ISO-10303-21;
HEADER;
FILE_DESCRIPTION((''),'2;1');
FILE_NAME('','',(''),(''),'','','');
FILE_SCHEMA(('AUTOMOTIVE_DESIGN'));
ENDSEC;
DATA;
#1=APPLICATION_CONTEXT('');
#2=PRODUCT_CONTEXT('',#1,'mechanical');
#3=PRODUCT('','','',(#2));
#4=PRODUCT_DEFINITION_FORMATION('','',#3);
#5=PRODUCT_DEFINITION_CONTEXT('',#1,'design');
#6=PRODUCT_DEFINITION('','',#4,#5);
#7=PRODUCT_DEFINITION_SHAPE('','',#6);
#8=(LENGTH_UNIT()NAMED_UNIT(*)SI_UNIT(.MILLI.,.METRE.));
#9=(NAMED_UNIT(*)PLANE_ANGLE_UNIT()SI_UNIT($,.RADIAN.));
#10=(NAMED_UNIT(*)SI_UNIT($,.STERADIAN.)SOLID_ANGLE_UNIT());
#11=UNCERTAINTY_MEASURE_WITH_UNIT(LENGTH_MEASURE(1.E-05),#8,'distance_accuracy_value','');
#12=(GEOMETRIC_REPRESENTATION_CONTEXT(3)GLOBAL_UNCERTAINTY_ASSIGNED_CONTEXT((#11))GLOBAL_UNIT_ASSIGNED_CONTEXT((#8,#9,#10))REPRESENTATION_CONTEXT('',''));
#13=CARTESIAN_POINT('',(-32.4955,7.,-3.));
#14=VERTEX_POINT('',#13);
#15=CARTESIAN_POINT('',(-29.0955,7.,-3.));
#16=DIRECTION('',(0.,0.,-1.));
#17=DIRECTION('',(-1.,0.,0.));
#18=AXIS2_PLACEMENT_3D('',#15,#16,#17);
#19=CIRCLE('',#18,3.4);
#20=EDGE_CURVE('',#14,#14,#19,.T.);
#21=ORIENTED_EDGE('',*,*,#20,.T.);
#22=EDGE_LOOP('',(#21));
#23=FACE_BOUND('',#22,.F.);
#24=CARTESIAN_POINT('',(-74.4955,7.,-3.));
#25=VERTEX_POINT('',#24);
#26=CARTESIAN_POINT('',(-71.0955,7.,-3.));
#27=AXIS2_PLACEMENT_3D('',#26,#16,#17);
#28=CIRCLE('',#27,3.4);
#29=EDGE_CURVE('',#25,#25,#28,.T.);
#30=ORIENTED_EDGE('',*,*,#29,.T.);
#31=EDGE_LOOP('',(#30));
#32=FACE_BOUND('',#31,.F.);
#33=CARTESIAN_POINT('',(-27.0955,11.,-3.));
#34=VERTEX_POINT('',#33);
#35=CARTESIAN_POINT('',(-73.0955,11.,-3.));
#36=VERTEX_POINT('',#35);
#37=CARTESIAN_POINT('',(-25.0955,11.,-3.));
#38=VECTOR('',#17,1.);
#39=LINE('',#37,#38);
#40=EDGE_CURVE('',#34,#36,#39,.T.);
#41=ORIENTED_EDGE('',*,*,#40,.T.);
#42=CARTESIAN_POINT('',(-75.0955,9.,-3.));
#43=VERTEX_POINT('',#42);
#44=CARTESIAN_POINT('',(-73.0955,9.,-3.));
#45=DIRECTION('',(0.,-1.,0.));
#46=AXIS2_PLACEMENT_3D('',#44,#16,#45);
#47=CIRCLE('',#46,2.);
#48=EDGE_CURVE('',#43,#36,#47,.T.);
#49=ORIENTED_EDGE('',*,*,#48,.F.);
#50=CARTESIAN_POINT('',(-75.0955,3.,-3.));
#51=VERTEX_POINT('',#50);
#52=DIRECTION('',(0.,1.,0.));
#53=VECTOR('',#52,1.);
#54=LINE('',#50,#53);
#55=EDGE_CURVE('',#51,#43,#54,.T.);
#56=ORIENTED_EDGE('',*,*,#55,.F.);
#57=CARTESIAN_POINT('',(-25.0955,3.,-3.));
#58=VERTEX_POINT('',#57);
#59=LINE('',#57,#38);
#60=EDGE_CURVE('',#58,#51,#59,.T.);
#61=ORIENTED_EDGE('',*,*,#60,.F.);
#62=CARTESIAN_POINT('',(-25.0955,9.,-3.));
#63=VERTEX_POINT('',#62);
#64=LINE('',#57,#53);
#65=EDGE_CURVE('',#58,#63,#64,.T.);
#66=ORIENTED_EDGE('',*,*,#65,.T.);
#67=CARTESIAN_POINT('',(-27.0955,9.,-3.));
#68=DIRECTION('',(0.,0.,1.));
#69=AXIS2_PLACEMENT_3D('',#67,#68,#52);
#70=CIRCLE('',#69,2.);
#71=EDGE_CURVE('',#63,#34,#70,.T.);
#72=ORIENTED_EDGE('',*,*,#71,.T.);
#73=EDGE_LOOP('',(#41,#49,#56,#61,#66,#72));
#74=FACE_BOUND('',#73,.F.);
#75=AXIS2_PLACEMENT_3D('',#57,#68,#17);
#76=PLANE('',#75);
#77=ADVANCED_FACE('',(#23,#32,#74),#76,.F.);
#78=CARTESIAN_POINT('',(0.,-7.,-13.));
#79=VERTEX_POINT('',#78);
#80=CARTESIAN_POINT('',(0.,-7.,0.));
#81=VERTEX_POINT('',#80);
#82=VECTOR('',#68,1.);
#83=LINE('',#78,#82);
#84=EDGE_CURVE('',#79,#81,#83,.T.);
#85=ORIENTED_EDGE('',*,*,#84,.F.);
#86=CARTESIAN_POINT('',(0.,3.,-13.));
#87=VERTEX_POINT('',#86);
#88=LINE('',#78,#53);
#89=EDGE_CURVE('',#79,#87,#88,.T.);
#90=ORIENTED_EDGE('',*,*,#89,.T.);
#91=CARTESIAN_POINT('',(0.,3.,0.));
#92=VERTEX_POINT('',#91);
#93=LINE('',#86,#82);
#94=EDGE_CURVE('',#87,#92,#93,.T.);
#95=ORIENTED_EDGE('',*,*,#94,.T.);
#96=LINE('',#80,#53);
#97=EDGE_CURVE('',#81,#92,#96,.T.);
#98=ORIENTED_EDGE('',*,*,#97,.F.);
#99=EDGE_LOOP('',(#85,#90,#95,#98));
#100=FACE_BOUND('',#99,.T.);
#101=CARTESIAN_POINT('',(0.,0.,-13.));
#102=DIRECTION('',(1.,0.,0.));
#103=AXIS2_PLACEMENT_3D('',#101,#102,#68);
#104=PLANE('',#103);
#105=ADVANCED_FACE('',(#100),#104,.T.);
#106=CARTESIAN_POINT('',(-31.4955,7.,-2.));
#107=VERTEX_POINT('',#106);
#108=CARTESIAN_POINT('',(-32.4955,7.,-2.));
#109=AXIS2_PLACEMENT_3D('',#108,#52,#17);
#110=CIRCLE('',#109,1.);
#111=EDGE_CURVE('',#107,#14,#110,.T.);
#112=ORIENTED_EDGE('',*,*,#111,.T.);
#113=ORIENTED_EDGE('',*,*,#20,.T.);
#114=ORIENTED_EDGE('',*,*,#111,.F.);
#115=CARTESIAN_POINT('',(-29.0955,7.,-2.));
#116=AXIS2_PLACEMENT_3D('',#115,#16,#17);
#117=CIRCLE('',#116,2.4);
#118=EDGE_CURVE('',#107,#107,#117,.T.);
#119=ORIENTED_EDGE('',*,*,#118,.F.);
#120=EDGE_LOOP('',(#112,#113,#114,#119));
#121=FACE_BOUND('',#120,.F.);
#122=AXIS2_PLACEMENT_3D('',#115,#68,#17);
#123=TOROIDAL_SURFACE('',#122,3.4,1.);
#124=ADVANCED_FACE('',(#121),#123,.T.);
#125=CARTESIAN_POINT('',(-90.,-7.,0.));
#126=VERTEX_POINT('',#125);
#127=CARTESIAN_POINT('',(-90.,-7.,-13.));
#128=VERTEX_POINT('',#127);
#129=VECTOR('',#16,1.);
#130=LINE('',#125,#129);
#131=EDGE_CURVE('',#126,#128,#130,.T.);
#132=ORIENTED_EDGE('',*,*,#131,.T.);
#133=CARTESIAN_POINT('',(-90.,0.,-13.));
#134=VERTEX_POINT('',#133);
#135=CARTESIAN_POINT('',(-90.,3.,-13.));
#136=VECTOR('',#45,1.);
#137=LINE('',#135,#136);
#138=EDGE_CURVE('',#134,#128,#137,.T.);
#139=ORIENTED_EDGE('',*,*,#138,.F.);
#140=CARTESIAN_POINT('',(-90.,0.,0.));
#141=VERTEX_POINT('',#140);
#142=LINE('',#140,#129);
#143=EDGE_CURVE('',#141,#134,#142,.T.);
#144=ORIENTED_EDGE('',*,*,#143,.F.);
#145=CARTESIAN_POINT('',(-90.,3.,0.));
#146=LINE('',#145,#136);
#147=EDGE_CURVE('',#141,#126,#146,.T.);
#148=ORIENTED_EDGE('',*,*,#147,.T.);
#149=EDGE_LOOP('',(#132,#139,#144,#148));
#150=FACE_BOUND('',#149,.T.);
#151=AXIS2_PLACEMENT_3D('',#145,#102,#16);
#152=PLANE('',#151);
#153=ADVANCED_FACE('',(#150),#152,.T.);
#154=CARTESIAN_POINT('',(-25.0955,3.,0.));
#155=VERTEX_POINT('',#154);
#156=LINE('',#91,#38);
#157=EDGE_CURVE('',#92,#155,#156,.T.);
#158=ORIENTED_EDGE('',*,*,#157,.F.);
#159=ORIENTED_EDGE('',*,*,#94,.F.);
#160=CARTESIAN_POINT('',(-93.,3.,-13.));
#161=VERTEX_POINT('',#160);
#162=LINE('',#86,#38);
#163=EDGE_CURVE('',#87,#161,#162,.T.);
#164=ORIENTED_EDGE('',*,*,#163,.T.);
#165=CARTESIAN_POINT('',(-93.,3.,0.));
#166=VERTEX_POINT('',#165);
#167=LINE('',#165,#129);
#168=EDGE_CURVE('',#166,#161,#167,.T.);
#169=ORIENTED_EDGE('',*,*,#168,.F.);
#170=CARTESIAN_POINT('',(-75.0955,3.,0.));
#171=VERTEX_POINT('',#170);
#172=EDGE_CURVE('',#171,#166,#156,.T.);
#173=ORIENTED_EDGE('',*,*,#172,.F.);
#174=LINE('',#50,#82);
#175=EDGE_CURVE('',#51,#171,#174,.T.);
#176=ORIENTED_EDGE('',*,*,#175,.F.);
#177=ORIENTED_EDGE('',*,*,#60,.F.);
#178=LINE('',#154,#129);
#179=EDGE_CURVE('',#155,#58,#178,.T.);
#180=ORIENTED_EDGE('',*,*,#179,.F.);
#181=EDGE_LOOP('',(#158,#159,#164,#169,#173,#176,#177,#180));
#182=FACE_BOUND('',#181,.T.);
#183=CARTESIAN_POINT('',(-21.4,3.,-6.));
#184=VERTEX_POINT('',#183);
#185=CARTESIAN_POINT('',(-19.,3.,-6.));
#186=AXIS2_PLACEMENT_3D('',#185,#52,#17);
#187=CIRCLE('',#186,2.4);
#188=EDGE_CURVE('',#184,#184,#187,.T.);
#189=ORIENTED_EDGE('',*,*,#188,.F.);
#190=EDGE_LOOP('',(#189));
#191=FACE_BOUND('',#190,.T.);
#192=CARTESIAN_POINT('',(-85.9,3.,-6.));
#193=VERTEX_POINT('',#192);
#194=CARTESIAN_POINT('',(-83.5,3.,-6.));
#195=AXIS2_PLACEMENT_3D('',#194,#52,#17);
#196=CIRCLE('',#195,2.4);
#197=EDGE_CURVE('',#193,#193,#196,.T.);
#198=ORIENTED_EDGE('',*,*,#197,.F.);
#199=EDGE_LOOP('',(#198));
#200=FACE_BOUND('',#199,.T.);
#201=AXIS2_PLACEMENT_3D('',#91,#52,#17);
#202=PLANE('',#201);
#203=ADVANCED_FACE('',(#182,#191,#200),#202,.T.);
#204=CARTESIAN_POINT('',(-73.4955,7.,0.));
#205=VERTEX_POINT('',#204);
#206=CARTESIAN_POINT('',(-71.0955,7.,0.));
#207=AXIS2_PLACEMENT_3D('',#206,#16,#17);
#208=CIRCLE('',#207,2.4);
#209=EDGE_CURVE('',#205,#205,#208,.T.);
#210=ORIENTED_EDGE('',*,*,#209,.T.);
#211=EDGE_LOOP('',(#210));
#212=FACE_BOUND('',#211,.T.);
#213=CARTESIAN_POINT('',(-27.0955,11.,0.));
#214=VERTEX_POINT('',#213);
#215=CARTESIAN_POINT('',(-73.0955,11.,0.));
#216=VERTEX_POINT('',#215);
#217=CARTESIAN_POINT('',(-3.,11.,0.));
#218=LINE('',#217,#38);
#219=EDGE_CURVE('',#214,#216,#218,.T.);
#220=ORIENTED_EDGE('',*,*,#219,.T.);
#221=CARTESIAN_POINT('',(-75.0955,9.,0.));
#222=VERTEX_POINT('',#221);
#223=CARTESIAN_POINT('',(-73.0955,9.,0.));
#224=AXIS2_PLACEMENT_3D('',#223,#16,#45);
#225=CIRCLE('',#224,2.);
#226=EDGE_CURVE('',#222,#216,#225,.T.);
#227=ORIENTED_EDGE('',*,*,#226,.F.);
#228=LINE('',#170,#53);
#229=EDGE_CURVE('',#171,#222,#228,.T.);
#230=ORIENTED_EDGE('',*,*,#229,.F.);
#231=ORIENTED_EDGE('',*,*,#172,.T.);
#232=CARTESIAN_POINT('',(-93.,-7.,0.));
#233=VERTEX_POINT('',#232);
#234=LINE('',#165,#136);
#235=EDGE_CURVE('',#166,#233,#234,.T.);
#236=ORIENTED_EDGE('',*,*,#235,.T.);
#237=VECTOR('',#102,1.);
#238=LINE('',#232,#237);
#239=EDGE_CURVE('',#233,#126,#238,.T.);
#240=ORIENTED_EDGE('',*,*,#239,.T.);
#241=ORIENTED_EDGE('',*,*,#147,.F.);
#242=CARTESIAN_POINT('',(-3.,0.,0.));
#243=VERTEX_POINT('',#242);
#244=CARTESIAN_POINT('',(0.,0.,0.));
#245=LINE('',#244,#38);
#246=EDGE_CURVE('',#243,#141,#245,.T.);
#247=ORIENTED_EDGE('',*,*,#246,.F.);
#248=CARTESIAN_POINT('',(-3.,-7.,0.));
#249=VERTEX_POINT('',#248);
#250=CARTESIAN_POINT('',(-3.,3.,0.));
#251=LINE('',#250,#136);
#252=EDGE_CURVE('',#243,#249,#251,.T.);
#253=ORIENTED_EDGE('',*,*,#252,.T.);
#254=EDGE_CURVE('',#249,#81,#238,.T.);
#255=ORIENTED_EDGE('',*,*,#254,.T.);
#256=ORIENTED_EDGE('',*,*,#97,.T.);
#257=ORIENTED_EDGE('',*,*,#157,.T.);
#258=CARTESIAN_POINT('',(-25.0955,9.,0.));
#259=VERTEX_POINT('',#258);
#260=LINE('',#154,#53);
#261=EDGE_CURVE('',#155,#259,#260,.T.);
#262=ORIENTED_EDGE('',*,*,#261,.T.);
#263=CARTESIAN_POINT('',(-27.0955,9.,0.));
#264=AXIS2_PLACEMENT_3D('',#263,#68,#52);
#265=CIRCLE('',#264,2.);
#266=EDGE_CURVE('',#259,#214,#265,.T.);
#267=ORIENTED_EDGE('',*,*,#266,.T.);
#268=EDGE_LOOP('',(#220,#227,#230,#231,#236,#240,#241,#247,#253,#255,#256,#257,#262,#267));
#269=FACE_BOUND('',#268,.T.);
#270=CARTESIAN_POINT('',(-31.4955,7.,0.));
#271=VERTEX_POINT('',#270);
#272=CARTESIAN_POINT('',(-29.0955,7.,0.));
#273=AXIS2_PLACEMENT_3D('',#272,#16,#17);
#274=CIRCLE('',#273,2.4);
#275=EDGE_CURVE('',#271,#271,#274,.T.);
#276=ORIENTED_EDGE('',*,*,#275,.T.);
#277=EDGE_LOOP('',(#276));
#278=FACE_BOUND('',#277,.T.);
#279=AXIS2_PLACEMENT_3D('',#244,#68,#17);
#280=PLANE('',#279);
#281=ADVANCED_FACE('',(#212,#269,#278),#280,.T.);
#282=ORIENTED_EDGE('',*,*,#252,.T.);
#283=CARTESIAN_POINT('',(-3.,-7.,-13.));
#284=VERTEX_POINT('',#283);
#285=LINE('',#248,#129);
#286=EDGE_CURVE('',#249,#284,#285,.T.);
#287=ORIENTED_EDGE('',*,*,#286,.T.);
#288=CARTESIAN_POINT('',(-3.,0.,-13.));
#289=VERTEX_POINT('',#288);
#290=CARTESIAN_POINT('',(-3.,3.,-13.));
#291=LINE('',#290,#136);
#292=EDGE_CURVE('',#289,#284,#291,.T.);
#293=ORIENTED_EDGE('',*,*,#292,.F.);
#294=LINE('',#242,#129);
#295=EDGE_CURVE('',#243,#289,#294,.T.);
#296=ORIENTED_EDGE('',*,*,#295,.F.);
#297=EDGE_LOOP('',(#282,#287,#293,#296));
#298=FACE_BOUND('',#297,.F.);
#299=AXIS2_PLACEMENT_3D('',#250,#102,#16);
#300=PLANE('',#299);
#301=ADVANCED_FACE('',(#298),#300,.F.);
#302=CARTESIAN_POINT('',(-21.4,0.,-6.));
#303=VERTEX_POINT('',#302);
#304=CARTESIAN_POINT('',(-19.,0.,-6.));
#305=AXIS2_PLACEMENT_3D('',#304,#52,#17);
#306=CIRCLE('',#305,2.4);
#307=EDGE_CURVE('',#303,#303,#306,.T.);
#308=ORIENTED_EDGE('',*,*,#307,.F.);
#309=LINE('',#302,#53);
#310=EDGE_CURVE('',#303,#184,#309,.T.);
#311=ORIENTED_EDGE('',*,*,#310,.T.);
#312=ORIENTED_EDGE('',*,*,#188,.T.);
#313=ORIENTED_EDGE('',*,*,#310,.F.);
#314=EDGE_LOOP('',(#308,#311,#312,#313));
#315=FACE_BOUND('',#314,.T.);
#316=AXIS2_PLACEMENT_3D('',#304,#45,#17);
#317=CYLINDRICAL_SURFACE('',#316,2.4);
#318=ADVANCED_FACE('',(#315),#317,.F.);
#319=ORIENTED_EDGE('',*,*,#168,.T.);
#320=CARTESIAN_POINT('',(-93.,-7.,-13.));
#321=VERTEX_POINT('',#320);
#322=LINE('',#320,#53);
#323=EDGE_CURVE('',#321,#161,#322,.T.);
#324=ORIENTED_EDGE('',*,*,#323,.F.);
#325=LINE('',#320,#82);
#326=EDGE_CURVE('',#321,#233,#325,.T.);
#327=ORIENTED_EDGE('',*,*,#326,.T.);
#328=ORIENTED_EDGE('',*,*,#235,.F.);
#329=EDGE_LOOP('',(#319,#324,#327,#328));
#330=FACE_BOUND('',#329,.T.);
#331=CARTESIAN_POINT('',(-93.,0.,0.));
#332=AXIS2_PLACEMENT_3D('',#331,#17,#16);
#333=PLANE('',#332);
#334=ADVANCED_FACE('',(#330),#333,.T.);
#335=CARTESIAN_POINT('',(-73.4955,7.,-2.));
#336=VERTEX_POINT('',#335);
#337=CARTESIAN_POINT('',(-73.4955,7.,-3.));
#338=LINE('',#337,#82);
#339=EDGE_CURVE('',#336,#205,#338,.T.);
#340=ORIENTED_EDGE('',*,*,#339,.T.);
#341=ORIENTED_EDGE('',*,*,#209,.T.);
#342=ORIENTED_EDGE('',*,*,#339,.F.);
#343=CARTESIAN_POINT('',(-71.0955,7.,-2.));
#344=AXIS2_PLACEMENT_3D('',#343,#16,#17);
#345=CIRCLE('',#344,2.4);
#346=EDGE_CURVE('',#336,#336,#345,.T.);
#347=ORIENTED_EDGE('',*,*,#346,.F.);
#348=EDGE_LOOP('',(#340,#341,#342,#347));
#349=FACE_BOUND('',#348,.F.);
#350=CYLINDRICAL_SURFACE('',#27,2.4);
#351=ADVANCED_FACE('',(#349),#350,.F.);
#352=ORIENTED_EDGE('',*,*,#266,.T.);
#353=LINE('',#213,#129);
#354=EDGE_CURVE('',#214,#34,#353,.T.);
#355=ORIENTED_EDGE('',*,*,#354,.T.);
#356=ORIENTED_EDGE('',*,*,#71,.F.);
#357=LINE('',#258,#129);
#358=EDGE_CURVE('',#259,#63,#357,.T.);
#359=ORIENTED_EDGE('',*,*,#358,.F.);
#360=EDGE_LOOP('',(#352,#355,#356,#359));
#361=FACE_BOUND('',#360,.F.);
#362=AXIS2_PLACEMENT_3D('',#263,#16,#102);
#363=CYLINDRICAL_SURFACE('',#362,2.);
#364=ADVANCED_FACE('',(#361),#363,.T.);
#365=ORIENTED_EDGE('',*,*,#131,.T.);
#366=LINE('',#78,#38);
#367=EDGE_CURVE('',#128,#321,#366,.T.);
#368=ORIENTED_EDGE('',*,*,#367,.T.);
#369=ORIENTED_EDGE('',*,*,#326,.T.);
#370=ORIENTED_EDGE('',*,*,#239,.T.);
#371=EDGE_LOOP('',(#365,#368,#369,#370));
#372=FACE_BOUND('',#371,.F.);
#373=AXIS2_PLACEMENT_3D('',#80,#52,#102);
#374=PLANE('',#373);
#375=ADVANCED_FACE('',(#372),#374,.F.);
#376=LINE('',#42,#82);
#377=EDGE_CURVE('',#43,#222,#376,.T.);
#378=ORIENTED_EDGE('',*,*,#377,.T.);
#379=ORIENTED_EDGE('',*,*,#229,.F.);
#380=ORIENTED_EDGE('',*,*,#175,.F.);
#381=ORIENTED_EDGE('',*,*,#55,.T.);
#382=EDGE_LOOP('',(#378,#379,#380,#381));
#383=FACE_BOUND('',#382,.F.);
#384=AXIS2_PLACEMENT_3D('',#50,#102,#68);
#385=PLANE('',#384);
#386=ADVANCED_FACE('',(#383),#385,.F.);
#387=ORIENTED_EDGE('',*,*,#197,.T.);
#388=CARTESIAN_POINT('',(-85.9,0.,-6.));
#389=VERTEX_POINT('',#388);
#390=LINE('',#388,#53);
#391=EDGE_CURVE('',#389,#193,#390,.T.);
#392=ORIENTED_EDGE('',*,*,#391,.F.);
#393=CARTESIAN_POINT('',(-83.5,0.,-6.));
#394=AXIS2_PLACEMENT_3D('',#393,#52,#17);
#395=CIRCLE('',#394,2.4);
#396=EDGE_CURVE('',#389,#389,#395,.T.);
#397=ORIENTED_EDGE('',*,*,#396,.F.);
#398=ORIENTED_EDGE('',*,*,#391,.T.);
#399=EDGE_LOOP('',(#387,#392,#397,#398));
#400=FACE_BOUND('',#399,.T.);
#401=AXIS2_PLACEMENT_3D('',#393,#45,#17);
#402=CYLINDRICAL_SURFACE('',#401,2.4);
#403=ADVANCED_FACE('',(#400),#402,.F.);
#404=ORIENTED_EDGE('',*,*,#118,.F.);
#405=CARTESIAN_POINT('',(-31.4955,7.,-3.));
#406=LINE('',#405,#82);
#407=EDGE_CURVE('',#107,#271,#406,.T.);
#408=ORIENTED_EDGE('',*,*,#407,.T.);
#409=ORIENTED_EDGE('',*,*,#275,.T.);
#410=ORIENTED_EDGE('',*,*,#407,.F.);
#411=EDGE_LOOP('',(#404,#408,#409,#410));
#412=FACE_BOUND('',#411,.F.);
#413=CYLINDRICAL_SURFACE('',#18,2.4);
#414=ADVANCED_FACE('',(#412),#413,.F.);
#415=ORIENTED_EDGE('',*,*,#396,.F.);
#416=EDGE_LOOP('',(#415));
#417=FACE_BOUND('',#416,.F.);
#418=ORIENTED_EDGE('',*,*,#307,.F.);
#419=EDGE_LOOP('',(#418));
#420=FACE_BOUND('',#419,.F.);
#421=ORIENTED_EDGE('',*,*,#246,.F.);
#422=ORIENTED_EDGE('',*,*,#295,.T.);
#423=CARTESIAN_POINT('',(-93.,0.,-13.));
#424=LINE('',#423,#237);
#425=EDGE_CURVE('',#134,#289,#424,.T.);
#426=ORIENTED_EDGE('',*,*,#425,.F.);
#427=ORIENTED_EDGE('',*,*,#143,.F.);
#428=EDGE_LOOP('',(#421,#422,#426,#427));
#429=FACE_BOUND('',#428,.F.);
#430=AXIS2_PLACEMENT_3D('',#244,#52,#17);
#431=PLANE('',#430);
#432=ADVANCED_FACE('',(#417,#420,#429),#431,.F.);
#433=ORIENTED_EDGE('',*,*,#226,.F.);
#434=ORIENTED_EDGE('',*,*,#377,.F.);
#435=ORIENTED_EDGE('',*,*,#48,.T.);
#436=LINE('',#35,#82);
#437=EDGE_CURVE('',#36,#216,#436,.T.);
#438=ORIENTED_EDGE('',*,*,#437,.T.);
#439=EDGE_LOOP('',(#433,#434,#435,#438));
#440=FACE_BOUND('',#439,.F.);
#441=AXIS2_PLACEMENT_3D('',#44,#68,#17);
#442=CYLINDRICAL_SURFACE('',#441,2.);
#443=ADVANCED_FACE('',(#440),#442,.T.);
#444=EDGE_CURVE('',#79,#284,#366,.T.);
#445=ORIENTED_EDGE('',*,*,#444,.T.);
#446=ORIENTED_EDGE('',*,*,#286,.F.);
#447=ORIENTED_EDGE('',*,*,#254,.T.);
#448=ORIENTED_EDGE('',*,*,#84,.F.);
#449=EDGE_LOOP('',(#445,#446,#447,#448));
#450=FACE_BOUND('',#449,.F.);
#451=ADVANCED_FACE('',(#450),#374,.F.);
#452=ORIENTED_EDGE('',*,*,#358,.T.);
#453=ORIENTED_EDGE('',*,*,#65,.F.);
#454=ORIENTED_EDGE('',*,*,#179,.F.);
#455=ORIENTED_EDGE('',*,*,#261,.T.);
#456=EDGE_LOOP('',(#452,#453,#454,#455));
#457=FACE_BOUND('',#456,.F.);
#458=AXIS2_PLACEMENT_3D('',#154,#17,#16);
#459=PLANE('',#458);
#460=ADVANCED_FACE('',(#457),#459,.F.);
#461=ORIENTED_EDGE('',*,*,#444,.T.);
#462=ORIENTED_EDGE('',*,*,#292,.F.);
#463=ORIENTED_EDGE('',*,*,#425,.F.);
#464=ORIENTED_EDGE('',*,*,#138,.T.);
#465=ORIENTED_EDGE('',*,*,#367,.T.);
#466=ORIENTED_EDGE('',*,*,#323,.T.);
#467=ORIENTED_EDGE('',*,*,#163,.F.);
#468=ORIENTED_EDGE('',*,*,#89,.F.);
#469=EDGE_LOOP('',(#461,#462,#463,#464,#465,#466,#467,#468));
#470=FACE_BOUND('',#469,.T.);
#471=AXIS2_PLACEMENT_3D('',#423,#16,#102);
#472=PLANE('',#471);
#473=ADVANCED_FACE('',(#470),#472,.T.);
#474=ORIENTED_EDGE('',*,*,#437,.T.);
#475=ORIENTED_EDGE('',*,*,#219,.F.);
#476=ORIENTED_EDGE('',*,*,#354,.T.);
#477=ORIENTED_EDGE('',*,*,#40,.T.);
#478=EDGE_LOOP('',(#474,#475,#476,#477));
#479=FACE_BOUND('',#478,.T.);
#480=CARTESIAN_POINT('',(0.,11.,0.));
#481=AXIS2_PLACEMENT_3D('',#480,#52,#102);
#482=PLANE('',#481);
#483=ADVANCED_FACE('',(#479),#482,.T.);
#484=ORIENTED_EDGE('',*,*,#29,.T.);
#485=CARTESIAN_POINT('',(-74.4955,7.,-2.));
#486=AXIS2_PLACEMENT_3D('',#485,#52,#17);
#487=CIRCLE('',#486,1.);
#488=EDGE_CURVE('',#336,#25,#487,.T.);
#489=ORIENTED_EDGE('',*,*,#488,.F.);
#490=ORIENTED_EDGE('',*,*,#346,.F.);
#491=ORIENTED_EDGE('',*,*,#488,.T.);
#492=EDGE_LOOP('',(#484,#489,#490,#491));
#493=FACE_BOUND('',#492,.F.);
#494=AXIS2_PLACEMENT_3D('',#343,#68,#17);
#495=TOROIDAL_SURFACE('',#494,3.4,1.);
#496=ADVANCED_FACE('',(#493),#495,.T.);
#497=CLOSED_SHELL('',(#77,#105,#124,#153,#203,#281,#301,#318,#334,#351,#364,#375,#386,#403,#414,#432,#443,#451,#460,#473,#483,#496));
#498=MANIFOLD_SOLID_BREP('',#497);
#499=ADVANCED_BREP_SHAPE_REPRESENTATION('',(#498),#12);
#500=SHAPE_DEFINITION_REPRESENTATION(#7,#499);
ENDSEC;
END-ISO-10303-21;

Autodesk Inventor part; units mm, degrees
ref_plane "YZ Plane" through (0, 0, 0) normal (1, 0, 0) x (0, 1, 0)
ref_plane "XZ Plane" through (0, 0, 0) normal (0, 1, 0) x (-1, 0, 0)
ref_plane "XY Plane" through (0, 0, 0) normal (0, 0, 1) x (1, 0, 0)
sketch "Sketch1" plane through (0, 0, 0) normal (0, 1, 0) x (-1, 0, 0)
  line L0 (0, 0) -> (93, 0)
  line L1 (93, 0) -> (93, -13)
  line L2 (93, -13) -> (0, -13)
  line L3 (0, -13) -> (0, 0)
  circle A0 centre (83.5, -6) radius 2.4
  circle A1 centre (19, -6) radius 2.4
  dimension "d0" = 93
  dimension "d1" = 13
  dimension "d2" = 4.8
  dimension "d3" = 4.8
  dimension "d4" = 6
  dimension "d5" = 6
  dimension "d6" = 19
  dimension "d7" = 9.5
extrude "Extrusion1" add sketch "Sketch1" along normal blind 3
sketch "Sketch2" plane through (0, 3, 0) normal (0, 1, 0) x (1, 0, 0)
  line L0 (-93, 0) -> (0, 0) projected
  line L1 (0, 13) -> (-93, 13) projected
  line L2 (0, 0) -> (-3, 0)
  line L3 (-3, 0) -> (-3, 13)
  line L4 (-3, 13) -> (0, 13)
  line L5 (0, 13) -> (0, 0)
  line L6 (-93, 0) -> (-90, 0)
  line L7 (-90, 0) -> (-90, 13)
  line L8 (-90, 13) -> (-93, 13)
  line L9 (-93, 13) -> (-93, 0)
  dimension "d10" = 3
  dimension "d11" = 3
extrude "Extrusion2" add sketch "Sketch2" against normal blind 10 contours L9 L1 L7 L0 | L3 L1 L5 L0
sketch "Sketch3" plane through (0, 3, 0) normal (0, 1, 0) x (1, 0, 0)
  line L0 (-3, 0) -> (-90, 0) projected
  line L1 (-75.0955, 0) -> (-25.0955, 0)
  line L2 (-25.0955, 0) -> (-25.0955, 3)
  line L3 (-25.0955, 3) -> (-75.0955, 3)
  line L4 (-75.0955, 3) -> (-75.0955, 0)
  point P0 (0, 0)
  dimension "d14" = 50
  dimension "d15" = 3
extrude "Extrusion3" add sketch "Sketch3" along normal blind 8
fillet "Fillet1" radius 2 2 edges at (-25.0955, 11, -1.5) (-75.0955, 11, -1.5)
sketch "Sketch4" plane through (-25.0955, 3, -3) normal (0, 0, -1) x (-1, 0, 0)
  circle A0 centre (46, 4) radius 2.4
  circle A1 centre (4, 4) radius 2.4
  line L0 (2, 8) -> (48, 8) projected
  line L1 (0, 0) -> (0, 6) projected
  line L2 (50, 0) -> (50, 6) projected
  point P0 (-25.0955, -3)
  dimension "d19" = 4.8
  dimension "d20" = 4.8
  dimension "d21" = 4
  dimension "d22" = 4
  dimension "d23" = 4
  dimension "d24" = 4
extrude "Extrusion4" cut sketch "Sketch4" against normal blind 8
fillet "Fillet2" radius 1 2 edges at (-68.6955, 7, -3) (-26.6955, 7, -3)
properties part number "PSUMount"
